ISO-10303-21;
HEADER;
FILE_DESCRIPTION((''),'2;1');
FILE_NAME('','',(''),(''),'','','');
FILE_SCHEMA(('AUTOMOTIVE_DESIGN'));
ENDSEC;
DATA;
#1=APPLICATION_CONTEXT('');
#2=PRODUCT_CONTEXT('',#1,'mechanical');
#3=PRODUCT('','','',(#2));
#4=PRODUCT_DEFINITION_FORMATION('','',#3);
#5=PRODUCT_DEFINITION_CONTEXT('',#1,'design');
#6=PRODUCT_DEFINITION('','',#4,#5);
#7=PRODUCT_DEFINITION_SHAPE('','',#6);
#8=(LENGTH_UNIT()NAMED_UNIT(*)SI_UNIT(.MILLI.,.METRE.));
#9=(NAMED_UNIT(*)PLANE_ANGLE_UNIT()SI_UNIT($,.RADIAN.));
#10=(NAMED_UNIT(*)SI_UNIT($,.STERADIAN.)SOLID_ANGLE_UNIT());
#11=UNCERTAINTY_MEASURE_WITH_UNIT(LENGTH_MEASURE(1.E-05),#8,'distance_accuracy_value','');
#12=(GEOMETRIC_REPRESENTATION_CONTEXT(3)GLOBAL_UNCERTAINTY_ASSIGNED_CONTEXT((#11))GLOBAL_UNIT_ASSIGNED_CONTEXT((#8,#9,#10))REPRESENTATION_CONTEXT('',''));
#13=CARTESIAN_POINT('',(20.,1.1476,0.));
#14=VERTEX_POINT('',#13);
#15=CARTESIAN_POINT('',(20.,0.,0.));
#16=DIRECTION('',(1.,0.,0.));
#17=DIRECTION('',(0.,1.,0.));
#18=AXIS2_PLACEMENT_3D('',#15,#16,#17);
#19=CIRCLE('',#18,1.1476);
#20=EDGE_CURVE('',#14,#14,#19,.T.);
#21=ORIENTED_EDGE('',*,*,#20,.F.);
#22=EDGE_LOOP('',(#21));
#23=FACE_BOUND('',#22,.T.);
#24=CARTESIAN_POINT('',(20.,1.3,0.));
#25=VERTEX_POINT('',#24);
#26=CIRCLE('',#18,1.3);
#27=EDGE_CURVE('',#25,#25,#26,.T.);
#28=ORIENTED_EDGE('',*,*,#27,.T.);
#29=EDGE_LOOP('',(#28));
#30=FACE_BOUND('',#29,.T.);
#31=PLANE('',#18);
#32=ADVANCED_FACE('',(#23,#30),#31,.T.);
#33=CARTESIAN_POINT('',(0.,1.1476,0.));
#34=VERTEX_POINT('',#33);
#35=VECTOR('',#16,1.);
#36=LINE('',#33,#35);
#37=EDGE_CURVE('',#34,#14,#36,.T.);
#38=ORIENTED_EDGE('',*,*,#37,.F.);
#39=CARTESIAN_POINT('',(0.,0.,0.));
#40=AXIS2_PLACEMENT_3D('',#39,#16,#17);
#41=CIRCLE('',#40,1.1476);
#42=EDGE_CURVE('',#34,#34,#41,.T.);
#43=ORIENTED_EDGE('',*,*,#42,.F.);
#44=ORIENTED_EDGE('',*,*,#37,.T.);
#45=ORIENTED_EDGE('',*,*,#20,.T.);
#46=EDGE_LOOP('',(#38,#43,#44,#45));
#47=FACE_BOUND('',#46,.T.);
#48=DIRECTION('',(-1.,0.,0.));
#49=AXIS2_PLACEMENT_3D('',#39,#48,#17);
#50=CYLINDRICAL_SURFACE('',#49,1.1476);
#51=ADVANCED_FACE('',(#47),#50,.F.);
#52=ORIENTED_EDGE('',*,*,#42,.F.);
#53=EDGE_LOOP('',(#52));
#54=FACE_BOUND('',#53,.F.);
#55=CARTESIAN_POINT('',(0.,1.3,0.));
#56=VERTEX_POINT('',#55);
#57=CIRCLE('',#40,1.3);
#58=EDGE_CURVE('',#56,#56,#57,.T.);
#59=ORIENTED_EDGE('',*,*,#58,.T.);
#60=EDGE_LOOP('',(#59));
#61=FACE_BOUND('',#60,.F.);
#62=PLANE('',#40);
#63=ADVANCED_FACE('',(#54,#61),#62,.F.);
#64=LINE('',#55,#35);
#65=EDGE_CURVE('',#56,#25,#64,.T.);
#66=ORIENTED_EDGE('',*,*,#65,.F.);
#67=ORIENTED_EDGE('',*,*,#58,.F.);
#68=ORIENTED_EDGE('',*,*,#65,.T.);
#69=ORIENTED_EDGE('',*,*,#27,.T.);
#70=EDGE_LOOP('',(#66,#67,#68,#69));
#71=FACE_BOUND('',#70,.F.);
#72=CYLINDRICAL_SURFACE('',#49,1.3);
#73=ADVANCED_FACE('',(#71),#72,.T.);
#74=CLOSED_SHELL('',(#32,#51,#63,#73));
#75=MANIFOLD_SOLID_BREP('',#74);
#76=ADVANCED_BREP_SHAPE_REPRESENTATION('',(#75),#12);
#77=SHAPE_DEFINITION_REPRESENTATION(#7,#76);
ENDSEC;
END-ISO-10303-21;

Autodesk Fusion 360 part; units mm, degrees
sketch "Sketch1" plane through (0, 0, 0) normal (1, 0, 0) x (0, 1, 0)
  circle A0 centre (0, 0) radius 1.3
  circle A1 centre (0, 0) radius 1.1476
  dimension "d1" = 2.6
  dimension "d2" = 2.2952
extrude "Extrude1" add sketch "Sketch1" along normal blind 20
equation "d2 = d1 - 0.012 in"
